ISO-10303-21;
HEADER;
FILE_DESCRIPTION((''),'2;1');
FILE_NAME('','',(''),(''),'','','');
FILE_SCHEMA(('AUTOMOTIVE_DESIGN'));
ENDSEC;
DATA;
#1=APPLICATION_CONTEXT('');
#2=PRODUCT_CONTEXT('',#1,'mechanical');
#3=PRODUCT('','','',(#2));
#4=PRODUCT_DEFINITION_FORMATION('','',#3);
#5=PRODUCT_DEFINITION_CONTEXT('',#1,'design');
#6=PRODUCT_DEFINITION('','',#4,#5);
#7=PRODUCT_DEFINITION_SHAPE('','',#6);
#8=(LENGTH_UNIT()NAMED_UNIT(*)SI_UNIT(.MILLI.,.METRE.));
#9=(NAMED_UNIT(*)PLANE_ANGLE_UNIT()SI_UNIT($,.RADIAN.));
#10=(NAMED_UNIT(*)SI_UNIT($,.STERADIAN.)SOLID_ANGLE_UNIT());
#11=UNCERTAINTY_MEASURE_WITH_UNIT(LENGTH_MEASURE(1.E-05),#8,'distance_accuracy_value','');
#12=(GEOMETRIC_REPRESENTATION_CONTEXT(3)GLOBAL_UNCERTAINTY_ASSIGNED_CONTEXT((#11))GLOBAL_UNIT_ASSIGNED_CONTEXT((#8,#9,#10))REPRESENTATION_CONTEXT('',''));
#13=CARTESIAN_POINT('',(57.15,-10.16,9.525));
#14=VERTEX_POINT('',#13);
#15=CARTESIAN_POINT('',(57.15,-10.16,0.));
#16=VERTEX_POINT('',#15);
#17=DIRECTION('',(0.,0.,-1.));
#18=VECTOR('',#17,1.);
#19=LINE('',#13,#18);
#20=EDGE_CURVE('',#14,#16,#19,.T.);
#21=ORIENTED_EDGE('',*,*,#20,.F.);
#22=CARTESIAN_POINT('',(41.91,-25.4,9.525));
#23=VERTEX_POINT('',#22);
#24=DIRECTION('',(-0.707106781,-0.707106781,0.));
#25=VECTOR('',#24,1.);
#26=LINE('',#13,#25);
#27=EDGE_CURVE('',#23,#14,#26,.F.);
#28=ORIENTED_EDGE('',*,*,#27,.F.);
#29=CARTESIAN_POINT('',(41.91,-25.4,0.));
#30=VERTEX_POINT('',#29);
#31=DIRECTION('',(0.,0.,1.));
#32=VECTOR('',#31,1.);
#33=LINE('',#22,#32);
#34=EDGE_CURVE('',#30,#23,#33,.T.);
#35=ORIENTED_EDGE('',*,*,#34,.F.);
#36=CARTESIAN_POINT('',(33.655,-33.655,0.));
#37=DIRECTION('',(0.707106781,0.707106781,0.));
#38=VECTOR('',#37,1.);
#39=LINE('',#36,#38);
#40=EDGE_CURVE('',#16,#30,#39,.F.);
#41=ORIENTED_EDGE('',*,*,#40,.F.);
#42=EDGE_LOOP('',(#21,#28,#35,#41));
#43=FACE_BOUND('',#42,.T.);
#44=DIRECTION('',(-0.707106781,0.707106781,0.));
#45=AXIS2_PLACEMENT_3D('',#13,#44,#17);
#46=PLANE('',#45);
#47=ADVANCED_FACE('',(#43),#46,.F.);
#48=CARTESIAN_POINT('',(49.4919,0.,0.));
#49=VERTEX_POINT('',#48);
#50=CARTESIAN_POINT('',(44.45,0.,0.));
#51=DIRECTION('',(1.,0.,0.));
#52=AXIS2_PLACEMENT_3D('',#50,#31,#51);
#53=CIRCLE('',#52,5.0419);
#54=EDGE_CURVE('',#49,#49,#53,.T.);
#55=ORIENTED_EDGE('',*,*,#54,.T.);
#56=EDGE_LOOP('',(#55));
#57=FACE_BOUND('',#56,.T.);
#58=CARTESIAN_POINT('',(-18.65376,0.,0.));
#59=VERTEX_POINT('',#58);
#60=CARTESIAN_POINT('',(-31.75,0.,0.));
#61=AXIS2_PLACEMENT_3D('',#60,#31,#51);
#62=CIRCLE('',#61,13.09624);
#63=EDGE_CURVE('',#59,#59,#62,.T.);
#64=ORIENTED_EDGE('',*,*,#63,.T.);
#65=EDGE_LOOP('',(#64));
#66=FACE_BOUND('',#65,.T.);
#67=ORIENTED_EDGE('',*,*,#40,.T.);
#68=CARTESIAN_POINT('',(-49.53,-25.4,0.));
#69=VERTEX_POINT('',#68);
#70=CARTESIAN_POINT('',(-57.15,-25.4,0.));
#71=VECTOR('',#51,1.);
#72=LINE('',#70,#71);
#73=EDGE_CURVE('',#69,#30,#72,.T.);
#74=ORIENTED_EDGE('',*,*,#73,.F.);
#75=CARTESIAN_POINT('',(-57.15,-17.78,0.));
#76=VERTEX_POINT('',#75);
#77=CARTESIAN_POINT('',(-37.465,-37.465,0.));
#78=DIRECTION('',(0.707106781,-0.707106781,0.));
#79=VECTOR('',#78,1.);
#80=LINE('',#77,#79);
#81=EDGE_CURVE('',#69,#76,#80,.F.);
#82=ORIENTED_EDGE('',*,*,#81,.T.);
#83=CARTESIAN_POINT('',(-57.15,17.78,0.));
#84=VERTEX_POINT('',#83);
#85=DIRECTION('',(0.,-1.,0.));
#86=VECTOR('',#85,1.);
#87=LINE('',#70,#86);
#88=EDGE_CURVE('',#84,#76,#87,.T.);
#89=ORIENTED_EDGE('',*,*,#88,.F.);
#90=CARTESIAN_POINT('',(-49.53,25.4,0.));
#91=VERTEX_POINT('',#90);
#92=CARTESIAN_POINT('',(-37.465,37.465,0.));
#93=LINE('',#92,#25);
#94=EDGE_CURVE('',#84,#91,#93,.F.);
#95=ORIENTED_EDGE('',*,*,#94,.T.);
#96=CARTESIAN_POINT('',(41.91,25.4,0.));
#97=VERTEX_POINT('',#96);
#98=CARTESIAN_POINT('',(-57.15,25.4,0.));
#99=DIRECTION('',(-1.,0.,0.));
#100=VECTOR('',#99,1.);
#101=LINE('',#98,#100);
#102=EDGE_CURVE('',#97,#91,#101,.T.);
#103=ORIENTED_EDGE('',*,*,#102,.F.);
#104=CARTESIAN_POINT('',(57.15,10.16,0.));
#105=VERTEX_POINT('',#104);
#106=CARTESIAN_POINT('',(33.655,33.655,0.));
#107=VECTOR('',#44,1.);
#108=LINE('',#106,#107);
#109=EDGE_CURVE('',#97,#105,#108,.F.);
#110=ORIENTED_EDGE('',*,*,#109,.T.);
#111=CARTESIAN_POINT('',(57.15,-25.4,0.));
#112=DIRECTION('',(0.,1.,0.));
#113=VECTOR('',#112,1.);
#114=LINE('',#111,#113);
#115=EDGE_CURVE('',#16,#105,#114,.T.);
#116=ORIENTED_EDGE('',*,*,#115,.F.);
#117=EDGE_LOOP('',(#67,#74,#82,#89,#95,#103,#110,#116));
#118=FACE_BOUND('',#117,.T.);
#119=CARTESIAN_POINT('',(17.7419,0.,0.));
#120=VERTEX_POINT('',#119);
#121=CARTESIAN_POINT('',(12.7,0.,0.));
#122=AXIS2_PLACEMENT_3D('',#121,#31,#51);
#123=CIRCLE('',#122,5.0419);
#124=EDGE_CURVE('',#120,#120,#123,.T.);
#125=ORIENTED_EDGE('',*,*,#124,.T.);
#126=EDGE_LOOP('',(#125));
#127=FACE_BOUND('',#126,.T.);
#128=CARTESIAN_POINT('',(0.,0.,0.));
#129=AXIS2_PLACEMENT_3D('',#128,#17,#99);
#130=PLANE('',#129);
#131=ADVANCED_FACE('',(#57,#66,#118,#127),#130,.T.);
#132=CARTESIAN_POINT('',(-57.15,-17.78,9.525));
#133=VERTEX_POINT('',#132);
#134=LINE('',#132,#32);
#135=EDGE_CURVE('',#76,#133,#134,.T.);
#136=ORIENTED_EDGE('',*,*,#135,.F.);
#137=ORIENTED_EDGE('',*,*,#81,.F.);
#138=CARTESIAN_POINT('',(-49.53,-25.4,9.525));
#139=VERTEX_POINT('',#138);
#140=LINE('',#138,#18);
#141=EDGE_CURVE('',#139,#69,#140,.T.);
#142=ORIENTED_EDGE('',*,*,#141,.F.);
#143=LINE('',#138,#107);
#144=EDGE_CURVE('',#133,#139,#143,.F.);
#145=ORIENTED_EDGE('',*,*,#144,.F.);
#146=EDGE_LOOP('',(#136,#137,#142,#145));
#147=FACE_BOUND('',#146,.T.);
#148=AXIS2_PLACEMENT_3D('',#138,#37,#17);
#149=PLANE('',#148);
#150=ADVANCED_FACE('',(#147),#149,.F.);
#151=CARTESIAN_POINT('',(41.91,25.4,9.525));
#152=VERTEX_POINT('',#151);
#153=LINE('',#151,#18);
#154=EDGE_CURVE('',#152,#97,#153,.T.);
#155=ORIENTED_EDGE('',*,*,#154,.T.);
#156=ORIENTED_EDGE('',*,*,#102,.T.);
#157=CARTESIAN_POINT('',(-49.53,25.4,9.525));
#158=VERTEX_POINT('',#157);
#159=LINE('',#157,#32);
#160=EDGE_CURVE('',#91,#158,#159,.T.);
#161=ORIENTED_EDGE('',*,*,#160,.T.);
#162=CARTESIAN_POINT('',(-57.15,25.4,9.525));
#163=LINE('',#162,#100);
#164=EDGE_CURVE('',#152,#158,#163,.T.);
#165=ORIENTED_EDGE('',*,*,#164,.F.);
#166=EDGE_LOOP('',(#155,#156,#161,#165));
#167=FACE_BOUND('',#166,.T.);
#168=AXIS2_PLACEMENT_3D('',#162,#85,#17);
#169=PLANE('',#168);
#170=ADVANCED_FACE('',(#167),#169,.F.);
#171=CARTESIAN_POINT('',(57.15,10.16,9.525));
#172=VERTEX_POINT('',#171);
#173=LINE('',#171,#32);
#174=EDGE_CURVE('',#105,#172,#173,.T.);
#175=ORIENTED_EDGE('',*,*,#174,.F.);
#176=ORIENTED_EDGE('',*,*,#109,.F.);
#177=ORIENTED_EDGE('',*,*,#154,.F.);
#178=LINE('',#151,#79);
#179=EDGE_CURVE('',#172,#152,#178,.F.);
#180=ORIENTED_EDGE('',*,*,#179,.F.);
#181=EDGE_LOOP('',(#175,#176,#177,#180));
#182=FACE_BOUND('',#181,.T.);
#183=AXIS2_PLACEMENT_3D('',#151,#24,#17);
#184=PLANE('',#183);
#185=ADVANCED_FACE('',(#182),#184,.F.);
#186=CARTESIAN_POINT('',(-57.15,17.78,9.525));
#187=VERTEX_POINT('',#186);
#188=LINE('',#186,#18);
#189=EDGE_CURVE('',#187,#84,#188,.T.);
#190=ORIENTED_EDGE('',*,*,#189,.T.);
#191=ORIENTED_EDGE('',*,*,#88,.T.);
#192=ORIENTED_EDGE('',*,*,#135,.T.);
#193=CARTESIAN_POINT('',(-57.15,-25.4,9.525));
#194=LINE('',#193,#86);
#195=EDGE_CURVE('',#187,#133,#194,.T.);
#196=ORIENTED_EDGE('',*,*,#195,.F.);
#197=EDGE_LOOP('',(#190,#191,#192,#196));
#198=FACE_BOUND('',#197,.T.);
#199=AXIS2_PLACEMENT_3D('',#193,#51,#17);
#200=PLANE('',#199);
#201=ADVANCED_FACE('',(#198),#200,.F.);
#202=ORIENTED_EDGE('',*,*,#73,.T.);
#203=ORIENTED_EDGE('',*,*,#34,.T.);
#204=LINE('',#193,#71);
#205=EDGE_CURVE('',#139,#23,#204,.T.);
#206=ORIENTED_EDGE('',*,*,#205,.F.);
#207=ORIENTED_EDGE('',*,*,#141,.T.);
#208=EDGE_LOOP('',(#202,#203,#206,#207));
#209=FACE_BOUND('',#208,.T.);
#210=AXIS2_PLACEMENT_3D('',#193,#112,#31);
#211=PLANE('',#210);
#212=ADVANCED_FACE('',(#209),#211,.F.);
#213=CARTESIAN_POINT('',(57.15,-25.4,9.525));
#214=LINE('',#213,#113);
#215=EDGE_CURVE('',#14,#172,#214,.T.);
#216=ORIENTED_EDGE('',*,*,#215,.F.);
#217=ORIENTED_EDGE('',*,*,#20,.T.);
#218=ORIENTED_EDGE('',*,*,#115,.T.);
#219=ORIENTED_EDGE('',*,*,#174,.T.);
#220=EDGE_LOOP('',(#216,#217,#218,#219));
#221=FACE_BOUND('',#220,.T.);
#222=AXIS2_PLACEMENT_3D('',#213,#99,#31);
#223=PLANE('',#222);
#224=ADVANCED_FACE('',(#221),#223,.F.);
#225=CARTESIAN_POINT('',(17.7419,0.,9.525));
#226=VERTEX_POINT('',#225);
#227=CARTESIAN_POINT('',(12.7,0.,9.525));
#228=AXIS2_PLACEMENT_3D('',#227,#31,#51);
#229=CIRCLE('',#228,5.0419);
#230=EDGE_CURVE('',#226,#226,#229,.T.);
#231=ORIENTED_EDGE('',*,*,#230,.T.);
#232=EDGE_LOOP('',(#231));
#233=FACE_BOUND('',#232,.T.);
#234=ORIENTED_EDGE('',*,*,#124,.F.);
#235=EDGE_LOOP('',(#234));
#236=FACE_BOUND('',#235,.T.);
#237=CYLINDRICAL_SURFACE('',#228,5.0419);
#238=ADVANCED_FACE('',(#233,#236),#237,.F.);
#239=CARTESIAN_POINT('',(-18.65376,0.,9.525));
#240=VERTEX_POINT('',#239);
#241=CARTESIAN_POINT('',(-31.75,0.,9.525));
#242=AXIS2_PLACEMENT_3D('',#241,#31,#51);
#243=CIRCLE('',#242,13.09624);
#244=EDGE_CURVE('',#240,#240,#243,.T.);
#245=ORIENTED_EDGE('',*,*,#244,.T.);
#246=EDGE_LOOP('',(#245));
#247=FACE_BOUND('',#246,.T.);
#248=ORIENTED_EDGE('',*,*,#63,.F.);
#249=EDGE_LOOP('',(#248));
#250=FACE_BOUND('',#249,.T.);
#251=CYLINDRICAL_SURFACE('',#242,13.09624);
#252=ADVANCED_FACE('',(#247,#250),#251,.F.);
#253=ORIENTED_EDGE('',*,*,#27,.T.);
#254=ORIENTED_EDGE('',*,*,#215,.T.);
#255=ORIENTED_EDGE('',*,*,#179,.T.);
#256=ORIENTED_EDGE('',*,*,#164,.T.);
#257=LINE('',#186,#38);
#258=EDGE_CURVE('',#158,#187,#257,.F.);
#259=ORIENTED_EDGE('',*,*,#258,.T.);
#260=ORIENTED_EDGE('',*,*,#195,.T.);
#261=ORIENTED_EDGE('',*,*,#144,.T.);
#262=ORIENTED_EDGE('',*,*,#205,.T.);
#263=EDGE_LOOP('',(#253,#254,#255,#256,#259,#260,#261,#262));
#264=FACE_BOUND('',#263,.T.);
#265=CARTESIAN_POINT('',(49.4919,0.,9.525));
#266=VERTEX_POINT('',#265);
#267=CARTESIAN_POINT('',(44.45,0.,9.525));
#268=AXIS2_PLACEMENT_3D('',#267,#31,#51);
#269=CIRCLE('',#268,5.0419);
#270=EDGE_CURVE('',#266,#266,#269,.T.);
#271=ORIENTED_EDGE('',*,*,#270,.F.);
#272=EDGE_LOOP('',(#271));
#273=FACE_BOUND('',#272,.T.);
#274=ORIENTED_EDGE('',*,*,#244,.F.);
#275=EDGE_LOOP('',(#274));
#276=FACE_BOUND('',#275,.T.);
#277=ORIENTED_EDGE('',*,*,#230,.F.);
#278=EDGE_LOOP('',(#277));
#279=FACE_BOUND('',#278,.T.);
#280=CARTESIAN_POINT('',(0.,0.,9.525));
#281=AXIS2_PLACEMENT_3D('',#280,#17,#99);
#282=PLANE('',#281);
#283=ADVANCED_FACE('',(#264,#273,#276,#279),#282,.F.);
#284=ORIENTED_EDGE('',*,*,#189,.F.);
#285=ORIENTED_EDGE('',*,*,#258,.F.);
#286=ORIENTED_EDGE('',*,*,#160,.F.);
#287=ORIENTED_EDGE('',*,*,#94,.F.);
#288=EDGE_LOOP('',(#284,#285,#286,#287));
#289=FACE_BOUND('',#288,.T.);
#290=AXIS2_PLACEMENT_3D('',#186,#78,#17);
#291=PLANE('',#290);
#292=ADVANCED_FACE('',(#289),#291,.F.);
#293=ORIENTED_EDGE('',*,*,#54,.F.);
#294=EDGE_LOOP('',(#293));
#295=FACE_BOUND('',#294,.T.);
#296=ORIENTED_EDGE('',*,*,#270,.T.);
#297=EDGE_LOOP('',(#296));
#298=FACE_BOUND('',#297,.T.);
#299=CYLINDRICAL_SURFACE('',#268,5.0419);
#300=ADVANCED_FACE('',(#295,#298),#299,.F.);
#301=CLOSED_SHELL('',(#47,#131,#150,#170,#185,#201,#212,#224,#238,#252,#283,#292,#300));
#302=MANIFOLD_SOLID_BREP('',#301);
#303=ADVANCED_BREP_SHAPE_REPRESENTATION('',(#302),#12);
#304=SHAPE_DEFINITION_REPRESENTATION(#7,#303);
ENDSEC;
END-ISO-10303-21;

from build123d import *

# Parameters (mm, degrees)
SKETCH1_W               = 114.3
SKETCH1_H               = 50.8
BOSS_EXTRUDE1_DEPTH     = 9.525
F_3_8_CLEARANCE_HOLE1_D = 10.0838
F_1_CLEARANCE_HOLE1_D   = 26.19248
CHAMFER1_SIZE           = 7.62
CHAMFER2_SIZE           = 15.24


with BuildPart() as part:
    # Sketch1 → Boss-Extrude1 (new body)
    with BuildSketch(Plane.XY):
        Rectangle(SKETCH1_W, SKETCH1_H)
    extrude(amount=BOSS_EXTRUDE1_DEPTH)

    # 3/8 Clearance Hole1 (through all)
    with Locations(Plane.XY.offset(9.525)):
        with Locations((44.45, 0), (12.7, 0)):
            Hole(F_3_8_CLEARANCE_HOLE1_D / 2)

    # 1 Clearance Hole1 (through all)
    with Locations(Plane.XY.offset(9.525)):
        with Locations((-31.75, 0)):
            Hole(F_1_CLEARANCE_HOLE1_D / 2)

    # Chamfer1
    chamfer1_edges = [part.edges().sort_by_distance(p)[0] for p in [
        (-57.15, -25.4, 4.7625),
        (-57.15, 25.4, 4.7625),
    ]]
    chamfer(chamfer1_edges, length=CHAMFER1_SIZE)

    # Chamfer2
    chamfer2_edges = [part.edges().sort_by_distance(p)[0] for p in [
        (57.15, -25.4, 4.7625),
        (57.15, 25.4, 4.7625),
    ]]
    chamfer(chamfer2_edges, length=CHAMFER2_SIZE)


solid = part.part
